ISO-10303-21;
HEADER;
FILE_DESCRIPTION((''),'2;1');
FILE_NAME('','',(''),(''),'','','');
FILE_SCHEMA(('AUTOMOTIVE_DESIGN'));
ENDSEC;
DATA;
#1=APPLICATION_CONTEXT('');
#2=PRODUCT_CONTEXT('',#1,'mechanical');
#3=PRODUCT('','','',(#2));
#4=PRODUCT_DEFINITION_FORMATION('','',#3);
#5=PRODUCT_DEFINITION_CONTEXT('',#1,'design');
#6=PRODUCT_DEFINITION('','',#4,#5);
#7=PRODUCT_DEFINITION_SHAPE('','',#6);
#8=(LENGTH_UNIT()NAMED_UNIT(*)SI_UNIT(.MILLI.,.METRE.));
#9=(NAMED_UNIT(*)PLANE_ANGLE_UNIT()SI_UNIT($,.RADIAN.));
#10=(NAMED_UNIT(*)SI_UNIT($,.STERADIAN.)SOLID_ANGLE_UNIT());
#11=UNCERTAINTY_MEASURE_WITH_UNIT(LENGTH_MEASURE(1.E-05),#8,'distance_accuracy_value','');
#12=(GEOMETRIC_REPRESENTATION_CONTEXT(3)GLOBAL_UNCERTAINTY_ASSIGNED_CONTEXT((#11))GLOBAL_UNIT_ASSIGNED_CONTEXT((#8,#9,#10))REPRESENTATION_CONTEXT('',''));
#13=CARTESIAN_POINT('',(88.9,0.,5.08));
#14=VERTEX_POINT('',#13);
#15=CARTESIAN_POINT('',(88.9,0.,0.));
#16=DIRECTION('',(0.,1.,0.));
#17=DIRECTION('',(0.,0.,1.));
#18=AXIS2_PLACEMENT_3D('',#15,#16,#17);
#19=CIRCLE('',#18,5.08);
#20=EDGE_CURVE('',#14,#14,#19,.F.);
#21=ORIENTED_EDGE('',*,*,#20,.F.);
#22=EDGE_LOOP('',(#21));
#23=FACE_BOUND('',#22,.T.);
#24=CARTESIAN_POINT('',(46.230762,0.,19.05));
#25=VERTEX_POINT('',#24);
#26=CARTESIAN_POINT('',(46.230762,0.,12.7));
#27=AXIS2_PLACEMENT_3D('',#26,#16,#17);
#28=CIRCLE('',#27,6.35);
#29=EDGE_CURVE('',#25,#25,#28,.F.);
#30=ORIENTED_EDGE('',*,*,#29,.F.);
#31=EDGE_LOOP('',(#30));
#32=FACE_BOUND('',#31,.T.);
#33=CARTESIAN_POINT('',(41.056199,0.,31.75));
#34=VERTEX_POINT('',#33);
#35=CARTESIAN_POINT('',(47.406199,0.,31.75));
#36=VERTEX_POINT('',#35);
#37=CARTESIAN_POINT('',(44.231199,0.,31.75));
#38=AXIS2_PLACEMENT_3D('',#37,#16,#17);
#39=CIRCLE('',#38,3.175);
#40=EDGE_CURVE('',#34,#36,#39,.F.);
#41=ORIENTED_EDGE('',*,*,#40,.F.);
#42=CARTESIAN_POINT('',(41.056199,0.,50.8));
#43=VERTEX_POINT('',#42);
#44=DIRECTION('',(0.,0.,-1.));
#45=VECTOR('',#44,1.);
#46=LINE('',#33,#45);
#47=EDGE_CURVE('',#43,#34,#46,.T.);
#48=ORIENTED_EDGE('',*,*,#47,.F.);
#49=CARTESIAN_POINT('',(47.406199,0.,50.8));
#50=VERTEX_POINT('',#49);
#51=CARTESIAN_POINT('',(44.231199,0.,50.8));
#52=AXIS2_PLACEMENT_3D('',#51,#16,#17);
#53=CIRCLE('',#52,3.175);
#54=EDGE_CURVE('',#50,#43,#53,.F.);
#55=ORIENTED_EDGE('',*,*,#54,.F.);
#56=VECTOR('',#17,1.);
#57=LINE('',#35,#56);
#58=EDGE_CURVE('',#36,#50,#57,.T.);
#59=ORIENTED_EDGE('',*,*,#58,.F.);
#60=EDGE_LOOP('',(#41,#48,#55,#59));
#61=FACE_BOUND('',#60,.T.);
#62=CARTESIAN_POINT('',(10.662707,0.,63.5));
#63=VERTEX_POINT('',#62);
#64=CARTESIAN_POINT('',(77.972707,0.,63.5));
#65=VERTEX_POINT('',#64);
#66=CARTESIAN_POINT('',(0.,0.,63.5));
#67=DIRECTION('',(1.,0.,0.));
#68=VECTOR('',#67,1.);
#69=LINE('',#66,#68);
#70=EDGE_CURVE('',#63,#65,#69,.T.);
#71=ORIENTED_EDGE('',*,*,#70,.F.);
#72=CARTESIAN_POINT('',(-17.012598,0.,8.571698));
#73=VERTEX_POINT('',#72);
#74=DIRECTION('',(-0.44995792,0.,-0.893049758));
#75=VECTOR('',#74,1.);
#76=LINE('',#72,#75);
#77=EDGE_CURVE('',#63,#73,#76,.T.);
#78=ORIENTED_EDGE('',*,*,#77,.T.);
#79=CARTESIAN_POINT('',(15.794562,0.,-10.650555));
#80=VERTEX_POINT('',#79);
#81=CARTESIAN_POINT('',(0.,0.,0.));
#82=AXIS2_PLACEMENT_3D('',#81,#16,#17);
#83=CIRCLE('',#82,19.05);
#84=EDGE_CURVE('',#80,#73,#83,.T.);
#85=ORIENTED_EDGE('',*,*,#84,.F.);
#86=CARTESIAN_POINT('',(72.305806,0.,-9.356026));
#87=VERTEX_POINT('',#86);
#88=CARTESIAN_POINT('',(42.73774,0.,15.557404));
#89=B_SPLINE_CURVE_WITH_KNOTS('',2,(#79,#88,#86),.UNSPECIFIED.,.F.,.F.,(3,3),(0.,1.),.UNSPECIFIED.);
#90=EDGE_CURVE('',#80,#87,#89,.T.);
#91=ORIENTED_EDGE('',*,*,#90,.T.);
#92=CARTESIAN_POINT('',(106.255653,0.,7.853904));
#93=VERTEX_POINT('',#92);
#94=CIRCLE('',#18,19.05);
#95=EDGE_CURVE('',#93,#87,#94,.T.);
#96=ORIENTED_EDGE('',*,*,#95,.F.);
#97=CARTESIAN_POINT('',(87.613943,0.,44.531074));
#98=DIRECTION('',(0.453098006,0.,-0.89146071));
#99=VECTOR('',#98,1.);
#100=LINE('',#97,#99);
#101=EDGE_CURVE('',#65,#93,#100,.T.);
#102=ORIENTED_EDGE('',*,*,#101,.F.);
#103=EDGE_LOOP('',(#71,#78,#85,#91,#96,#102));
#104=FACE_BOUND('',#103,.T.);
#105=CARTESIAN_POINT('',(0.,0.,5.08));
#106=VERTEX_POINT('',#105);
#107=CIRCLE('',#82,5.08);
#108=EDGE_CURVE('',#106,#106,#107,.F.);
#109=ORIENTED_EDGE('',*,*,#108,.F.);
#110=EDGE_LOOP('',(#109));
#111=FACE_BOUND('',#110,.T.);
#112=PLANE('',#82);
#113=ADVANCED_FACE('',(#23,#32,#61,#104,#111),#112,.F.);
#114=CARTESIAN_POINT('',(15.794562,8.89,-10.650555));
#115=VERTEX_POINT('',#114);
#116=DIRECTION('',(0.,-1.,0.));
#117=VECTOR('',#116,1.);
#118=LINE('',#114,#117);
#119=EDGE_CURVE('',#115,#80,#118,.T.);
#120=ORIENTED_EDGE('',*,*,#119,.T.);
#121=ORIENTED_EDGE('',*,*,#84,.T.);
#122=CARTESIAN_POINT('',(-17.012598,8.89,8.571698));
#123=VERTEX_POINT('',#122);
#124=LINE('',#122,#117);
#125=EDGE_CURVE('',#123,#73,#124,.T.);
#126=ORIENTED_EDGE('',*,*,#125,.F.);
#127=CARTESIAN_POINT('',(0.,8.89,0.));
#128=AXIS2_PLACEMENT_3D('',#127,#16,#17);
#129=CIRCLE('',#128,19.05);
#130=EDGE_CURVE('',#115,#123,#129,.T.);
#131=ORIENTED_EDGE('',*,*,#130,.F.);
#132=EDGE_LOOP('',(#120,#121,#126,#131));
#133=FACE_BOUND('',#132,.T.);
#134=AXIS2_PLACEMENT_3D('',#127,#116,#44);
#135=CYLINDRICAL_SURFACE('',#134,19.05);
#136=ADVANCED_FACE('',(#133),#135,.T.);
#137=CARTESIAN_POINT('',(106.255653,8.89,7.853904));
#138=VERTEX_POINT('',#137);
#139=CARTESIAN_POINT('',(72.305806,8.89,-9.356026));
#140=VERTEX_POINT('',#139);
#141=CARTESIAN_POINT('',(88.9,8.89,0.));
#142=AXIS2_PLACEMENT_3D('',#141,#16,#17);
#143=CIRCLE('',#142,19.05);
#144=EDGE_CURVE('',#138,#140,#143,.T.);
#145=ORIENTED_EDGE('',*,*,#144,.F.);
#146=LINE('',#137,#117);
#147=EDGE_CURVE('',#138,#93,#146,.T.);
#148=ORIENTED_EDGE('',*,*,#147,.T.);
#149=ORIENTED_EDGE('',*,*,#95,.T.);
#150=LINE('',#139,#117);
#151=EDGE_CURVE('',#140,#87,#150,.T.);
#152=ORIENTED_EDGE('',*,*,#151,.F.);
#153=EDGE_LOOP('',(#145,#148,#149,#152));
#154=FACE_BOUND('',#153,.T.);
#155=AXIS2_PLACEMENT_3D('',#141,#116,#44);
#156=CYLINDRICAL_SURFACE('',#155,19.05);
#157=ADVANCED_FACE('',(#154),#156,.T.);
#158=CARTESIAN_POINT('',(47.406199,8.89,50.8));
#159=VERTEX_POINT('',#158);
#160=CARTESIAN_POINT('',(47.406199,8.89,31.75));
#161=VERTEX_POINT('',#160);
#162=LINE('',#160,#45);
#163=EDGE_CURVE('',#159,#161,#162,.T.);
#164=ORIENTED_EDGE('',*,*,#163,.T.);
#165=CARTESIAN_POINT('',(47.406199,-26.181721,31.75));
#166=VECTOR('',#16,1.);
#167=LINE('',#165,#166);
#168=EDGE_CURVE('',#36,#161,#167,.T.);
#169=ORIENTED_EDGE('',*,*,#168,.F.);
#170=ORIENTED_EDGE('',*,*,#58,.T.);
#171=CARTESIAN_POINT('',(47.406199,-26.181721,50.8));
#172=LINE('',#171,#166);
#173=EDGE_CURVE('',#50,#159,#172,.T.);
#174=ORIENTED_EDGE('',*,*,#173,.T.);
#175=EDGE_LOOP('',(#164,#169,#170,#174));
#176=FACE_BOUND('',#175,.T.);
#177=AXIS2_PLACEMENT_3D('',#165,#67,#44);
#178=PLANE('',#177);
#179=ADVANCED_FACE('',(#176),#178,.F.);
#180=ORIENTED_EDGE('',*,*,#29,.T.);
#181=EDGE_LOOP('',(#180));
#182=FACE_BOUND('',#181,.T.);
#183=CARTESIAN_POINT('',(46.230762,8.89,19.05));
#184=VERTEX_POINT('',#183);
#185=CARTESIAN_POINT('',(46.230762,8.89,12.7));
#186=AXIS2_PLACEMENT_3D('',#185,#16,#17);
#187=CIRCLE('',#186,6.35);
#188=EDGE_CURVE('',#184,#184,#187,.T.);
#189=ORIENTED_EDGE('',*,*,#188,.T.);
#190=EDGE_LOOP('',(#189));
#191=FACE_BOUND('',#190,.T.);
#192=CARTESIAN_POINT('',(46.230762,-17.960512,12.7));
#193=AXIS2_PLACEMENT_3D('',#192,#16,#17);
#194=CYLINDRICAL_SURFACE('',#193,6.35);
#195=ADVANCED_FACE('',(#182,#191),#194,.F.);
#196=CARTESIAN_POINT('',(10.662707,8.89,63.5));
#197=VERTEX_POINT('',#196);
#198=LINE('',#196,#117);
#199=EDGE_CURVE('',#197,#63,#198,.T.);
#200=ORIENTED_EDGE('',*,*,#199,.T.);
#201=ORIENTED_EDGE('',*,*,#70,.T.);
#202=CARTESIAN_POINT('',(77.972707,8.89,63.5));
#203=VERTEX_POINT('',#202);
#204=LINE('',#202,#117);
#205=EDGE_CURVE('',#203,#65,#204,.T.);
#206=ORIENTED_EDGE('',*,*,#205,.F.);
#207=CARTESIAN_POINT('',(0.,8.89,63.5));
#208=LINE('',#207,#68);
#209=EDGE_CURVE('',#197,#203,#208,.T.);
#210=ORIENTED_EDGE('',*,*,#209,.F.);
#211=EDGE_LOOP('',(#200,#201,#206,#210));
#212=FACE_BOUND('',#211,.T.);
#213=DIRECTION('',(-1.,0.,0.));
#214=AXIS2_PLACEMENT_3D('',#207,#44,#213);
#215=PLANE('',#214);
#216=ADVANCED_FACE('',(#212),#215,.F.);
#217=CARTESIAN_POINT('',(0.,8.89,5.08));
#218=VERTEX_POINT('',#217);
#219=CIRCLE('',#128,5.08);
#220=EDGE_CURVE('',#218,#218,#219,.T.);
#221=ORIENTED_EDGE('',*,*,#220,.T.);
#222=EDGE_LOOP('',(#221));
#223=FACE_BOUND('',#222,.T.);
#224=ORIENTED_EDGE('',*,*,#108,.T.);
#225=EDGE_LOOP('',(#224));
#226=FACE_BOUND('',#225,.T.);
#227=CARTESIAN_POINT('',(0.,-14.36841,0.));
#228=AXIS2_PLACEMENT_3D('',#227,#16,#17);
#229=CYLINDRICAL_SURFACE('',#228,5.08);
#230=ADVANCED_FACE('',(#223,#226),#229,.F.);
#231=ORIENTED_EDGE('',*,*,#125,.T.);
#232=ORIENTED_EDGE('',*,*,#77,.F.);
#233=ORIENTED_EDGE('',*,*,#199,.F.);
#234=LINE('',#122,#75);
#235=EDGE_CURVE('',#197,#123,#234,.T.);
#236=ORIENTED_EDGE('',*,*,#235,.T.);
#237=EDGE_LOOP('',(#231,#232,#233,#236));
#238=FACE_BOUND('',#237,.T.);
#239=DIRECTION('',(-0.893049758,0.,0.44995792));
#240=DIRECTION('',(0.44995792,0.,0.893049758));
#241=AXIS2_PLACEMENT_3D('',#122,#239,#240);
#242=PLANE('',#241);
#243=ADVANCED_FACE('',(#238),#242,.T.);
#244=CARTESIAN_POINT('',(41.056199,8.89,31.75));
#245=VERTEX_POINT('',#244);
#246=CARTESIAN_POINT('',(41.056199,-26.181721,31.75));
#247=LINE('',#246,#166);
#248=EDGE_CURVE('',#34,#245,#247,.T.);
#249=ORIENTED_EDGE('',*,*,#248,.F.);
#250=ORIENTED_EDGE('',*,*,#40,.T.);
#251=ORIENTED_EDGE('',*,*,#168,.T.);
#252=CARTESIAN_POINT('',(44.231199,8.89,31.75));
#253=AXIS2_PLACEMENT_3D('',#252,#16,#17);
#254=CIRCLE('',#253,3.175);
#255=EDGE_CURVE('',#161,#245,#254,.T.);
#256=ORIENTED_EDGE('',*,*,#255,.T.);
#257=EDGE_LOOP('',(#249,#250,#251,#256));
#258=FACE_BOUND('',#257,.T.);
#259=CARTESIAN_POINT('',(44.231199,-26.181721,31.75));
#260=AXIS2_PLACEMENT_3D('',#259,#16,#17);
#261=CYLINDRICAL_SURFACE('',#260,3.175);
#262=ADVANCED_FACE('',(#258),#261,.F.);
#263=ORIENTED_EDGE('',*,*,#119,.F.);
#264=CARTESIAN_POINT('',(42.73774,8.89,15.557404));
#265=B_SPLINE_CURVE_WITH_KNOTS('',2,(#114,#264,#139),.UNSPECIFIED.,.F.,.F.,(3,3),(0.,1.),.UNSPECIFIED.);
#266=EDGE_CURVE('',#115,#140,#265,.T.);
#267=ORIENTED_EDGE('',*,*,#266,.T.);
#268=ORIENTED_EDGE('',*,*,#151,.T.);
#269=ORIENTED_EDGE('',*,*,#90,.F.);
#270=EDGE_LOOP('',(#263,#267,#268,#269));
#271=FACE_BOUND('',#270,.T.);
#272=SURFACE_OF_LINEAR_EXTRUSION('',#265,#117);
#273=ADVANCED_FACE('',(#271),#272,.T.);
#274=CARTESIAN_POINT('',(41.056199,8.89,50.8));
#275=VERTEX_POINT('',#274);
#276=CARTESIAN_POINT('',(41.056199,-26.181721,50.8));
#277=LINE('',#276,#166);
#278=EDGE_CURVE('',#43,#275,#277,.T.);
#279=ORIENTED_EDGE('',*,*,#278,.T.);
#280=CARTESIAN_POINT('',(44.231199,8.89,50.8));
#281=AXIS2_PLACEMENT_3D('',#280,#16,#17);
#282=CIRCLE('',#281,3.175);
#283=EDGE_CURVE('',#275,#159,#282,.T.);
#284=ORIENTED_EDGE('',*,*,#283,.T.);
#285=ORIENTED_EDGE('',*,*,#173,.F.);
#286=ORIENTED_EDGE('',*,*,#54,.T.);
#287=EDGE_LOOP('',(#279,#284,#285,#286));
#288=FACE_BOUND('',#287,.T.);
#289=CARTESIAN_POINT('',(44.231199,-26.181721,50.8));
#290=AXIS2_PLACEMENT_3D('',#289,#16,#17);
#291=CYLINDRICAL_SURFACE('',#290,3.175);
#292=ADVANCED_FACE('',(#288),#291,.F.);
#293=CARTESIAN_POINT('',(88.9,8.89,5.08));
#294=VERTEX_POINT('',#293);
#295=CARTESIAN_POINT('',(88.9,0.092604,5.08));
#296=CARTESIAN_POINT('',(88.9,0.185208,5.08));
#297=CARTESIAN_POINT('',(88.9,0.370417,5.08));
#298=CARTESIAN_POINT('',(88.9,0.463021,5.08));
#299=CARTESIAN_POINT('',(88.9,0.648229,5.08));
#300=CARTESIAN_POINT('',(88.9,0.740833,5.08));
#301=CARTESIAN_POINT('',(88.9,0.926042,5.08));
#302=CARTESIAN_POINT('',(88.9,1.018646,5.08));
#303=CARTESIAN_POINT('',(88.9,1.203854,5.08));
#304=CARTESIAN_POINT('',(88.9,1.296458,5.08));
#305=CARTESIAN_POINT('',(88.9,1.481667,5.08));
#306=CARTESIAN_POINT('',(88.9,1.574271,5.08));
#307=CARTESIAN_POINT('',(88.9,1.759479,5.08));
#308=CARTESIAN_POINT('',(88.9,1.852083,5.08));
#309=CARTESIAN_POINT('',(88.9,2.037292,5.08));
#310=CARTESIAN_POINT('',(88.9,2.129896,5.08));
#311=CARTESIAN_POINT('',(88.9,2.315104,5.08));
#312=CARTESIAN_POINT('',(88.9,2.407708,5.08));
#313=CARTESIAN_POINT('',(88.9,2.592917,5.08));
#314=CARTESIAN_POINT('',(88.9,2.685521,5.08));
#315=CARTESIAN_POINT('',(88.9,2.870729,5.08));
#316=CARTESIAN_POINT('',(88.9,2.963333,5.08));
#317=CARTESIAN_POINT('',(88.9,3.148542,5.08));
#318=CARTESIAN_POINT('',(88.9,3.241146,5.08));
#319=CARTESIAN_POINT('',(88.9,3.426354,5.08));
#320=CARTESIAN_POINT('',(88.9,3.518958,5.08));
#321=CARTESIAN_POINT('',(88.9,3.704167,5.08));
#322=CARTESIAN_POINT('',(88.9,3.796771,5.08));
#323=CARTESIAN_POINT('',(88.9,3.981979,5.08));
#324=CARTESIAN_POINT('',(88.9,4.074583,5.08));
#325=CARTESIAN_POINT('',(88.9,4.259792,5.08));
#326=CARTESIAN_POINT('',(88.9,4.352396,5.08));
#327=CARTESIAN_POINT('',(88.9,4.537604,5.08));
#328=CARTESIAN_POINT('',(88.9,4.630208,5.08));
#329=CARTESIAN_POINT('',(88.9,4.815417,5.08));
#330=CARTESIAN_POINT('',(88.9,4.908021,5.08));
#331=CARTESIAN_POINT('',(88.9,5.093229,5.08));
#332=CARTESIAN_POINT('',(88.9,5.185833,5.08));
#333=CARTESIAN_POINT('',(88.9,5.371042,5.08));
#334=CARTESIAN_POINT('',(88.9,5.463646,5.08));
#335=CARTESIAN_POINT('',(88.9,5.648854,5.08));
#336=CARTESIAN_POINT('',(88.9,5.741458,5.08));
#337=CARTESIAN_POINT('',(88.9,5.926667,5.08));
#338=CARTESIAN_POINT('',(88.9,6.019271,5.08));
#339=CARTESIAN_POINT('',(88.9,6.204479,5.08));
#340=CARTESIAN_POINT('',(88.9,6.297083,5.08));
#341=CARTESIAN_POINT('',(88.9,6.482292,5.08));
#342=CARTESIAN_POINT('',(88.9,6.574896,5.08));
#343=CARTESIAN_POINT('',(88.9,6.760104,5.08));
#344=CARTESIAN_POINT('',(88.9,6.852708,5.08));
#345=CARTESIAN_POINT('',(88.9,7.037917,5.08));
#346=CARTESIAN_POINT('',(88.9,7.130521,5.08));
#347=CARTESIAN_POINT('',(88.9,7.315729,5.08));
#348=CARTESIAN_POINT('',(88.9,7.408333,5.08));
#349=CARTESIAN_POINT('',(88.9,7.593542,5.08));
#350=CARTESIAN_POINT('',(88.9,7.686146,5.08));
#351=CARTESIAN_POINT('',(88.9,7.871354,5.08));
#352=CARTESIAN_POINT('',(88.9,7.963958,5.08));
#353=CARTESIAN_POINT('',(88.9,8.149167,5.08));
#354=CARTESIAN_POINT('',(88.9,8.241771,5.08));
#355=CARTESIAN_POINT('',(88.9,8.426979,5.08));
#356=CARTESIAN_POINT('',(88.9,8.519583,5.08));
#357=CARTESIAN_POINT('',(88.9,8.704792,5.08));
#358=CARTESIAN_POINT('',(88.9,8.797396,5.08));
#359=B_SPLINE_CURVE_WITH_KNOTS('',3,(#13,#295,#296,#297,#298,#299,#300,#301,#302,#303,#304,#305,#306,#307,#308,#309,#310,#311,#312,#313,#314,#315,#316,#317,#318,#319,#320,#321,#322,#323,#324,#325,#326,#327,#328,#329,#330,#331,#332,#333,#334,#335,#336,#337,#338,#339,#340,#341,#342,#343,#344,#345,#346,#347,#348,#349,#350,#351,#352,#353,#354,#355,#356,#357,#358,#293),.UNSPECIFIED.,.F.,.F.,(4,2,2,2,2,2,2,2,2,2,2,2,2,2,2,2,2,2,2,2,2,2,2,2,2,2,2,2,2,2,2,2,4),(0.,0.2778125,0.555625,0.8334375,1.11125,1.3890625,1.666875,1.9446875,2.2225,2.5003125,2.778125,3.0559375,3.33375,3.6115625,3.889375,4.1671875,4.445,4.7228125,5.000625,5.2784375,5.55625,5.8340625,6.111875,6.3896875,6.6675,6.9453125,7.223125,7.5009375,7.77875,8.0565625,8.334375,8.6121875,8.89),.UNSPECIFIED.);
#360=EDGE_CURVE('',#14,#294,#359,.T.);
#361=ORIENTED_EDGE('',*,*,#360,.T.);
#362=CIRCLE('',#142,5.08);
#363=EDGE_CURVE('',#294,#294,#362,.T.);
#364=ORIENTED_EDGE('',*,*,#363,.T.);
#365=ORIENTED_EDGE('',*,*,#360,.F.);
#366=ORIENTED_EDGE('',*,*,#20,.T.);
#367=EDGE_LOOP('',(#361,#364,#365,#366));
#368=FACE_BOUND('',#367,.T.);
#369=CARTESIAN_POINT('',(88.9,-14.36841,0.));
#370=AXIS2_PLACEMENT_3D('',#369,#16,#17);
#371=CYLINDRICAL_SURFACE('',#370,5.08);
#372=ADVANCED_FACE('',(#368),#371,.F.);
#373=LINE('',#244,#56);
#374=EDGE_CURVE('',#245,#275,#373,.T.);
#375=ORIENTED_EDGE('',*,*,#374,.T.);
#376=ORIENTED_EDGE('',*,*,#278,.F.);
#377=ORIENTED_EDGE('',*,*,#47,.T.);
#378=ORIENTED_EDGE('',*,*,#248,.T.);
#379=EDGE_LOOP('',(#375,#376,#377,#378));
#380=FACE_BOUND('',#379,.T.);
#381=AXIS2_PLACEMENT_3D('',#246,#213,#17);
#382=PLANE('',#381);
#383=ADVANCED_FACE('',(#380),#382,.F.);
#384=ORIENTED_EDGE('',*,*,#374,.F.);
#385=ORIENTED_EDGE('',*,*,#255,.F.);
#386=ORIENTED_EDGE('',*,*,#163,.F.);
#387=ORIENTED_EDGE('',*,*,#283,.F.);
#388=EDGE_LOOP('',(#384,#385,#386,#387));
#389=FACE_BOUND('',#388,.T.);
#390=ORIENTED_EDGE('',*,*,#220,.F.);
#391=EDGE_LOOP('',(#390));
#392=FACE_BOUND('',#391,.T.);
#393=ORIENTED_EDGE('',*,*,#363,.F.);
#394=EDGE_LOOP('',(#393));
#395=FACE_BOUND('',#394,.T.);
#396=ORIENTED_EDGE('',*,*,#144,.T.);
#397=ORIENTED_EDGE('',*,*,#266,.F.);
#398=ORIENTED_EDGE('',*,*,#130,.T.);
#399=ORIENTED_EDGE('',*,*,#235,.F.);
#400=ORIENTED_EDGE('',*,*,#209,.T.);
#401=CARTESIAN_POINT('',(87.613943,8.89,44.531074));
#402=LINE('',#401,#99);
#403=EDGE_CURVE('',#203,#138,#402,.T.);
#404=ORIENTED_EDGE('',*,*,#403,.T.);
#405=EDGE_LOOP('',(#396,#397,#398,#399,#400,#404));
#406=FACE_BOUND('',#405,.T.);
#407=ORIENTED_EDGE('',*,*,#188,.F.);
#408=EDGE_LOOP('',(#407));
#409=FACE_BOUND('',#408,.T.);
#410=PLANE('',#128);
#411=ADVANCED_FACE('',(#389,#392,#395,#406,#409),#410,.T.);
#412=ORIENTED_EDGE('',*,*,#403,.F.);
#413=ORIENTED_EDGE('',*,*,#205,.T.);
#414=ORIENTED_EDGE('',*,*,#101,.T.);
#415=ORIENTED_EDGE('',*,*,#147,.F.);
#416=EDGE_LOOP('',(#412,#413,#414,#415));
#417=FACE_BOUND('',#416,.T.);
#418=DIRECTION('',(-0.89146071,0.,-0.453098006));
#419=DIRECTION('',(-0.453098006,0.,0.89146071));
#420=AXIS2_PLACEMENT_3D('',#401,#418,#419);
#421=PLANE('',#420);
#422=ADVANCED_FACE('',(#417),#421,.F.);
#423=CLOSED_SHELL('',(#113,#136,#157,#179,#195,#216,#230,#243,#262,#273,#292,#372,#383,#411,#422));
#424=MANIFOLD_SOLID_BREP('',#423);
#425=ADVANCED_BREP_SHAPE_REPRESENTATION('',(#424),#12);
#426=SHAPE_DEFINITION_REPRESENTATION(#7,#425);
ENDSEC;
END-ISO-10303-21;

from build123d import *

# Parameters (mm, degrees)
BOSS_EXTRUDE1_DEPTH = 8.89
CUT_EXTRUDE1_DEPTH  = 8.89
SKETCH3_R           = 5.08
CUT_EXTRUDE2_DEPTH  = 8.89
SKETCH4_R           = 5.08
CUT_EXTRUDE3_DEPTH  = 8.89
SKETCH5_R           = 6.35
CUT_EXTRUDE4_DEPTH  = 8.89


with BuildPart() as part:
    # Sketch1 → Boss-Extrude1 (new body)
    with BuildSketch(Plane(origin=(0, 0, 0), x_dir=(1, 0, 0), z_dir=(0, 1, 0))):
        with BuildLine():
            Line((-17.012597889, -8.571698377), (10.66270702, -63.5))
            Line((10.66270702, -63.5), (77.97270702, -63.5))
            Line((77.97270702, -63.5), (105.474181334, -9.391432964))
            Line((105.474181334, -9.391432964), (106.255653047, -7.853903954))
            ThreePointArc((106.255653047, -7.853903954), (97.513383696, 16.99153087), (72.305806006, 9.35602617))
            add(Edge.make_bspline(
                [(15.794561963, 10.650554558), (42.737740309, -15.557403772), (72.305806006, 9.35602617)],
                knots=[0, 0, 0, 1, 1, 1], degree=2))
            ThreePointArc((15.794561963, 10.650554558), (-9.630402632, 16.436479098), (-17.012597889, -8.571698377))
        make_face()
    extrude(amount=BOSS_EXTRUDE1_DEPTH)

    # Sketch2 → Cut-Extrude1 (cut)
    with BuildSketch(Plane(origin=(0, 8.89, 0), x_dir=(1, 0, 0), z_dir=(0, 1, 0))):
        with BuildLine():
            Line((47.406198559, -31.75), (47.406198559, -50.8))
            ThreePointArc((47.406198559, -50.8), (44.231198559, -53.975), (41.056198559, -50.8))
            Line((41.056198559, -50.8), (41.056198559, -31.75))
            ThreePointArc((41.056198559, -31.75), (44.231198559, -28.575), (47.406198559, -31.75))
        make_face()
    extrude(amount=-CUT_EXTRUDE1_DEPTH, mode=Mode.SUBTRACT)

    # Sketch3 → Cut-Extrude2 (cut)
    with BuildSketch(Plane(origin=(0, 8.89, 0), x_dir=(1, 0, 0), z_dir=(0, 1, 0))):
        with Locations(Location((0, 0, 0), (0, 0, 270))):
            Circle(SKETCH3_R)
    extrude(amount=-CUT_EXTRUDE2_DEPTH, mode=Mode.SUBTRACT)

    # Sketch4 → Cut-Extrude3 (cut)
    with BuildSketch(Plane(origin=(0, 8.89, 0), x_dir=(1, 0, 0), z_dir=(0, 1, 0))):
        with Locations(Location((88.9, 0, 0), (0, 0, 270))):
            Circle(SKETCH4_R)
    extrude(amount=-CUT_EXTRUDE3_DEPTH, mode=Mode.SUBTRACT)

    # Sketch5 → Cut-Extrude4 (cut)
    with BuildSketch(Plane(origin=(0, 8.89, 0), x_dir=(1, 0, 0), z_dir=(0, 1, 0))):
        with Locations(Location((46.230762454, -12.7, 0), (0, 0, 270))):
            Circle(SKETCH5_R)
    extrude(amount=-CUT_EXTRUDE4_DEPTH, mode=Mode.SUBTRACT)


solid = part.part
